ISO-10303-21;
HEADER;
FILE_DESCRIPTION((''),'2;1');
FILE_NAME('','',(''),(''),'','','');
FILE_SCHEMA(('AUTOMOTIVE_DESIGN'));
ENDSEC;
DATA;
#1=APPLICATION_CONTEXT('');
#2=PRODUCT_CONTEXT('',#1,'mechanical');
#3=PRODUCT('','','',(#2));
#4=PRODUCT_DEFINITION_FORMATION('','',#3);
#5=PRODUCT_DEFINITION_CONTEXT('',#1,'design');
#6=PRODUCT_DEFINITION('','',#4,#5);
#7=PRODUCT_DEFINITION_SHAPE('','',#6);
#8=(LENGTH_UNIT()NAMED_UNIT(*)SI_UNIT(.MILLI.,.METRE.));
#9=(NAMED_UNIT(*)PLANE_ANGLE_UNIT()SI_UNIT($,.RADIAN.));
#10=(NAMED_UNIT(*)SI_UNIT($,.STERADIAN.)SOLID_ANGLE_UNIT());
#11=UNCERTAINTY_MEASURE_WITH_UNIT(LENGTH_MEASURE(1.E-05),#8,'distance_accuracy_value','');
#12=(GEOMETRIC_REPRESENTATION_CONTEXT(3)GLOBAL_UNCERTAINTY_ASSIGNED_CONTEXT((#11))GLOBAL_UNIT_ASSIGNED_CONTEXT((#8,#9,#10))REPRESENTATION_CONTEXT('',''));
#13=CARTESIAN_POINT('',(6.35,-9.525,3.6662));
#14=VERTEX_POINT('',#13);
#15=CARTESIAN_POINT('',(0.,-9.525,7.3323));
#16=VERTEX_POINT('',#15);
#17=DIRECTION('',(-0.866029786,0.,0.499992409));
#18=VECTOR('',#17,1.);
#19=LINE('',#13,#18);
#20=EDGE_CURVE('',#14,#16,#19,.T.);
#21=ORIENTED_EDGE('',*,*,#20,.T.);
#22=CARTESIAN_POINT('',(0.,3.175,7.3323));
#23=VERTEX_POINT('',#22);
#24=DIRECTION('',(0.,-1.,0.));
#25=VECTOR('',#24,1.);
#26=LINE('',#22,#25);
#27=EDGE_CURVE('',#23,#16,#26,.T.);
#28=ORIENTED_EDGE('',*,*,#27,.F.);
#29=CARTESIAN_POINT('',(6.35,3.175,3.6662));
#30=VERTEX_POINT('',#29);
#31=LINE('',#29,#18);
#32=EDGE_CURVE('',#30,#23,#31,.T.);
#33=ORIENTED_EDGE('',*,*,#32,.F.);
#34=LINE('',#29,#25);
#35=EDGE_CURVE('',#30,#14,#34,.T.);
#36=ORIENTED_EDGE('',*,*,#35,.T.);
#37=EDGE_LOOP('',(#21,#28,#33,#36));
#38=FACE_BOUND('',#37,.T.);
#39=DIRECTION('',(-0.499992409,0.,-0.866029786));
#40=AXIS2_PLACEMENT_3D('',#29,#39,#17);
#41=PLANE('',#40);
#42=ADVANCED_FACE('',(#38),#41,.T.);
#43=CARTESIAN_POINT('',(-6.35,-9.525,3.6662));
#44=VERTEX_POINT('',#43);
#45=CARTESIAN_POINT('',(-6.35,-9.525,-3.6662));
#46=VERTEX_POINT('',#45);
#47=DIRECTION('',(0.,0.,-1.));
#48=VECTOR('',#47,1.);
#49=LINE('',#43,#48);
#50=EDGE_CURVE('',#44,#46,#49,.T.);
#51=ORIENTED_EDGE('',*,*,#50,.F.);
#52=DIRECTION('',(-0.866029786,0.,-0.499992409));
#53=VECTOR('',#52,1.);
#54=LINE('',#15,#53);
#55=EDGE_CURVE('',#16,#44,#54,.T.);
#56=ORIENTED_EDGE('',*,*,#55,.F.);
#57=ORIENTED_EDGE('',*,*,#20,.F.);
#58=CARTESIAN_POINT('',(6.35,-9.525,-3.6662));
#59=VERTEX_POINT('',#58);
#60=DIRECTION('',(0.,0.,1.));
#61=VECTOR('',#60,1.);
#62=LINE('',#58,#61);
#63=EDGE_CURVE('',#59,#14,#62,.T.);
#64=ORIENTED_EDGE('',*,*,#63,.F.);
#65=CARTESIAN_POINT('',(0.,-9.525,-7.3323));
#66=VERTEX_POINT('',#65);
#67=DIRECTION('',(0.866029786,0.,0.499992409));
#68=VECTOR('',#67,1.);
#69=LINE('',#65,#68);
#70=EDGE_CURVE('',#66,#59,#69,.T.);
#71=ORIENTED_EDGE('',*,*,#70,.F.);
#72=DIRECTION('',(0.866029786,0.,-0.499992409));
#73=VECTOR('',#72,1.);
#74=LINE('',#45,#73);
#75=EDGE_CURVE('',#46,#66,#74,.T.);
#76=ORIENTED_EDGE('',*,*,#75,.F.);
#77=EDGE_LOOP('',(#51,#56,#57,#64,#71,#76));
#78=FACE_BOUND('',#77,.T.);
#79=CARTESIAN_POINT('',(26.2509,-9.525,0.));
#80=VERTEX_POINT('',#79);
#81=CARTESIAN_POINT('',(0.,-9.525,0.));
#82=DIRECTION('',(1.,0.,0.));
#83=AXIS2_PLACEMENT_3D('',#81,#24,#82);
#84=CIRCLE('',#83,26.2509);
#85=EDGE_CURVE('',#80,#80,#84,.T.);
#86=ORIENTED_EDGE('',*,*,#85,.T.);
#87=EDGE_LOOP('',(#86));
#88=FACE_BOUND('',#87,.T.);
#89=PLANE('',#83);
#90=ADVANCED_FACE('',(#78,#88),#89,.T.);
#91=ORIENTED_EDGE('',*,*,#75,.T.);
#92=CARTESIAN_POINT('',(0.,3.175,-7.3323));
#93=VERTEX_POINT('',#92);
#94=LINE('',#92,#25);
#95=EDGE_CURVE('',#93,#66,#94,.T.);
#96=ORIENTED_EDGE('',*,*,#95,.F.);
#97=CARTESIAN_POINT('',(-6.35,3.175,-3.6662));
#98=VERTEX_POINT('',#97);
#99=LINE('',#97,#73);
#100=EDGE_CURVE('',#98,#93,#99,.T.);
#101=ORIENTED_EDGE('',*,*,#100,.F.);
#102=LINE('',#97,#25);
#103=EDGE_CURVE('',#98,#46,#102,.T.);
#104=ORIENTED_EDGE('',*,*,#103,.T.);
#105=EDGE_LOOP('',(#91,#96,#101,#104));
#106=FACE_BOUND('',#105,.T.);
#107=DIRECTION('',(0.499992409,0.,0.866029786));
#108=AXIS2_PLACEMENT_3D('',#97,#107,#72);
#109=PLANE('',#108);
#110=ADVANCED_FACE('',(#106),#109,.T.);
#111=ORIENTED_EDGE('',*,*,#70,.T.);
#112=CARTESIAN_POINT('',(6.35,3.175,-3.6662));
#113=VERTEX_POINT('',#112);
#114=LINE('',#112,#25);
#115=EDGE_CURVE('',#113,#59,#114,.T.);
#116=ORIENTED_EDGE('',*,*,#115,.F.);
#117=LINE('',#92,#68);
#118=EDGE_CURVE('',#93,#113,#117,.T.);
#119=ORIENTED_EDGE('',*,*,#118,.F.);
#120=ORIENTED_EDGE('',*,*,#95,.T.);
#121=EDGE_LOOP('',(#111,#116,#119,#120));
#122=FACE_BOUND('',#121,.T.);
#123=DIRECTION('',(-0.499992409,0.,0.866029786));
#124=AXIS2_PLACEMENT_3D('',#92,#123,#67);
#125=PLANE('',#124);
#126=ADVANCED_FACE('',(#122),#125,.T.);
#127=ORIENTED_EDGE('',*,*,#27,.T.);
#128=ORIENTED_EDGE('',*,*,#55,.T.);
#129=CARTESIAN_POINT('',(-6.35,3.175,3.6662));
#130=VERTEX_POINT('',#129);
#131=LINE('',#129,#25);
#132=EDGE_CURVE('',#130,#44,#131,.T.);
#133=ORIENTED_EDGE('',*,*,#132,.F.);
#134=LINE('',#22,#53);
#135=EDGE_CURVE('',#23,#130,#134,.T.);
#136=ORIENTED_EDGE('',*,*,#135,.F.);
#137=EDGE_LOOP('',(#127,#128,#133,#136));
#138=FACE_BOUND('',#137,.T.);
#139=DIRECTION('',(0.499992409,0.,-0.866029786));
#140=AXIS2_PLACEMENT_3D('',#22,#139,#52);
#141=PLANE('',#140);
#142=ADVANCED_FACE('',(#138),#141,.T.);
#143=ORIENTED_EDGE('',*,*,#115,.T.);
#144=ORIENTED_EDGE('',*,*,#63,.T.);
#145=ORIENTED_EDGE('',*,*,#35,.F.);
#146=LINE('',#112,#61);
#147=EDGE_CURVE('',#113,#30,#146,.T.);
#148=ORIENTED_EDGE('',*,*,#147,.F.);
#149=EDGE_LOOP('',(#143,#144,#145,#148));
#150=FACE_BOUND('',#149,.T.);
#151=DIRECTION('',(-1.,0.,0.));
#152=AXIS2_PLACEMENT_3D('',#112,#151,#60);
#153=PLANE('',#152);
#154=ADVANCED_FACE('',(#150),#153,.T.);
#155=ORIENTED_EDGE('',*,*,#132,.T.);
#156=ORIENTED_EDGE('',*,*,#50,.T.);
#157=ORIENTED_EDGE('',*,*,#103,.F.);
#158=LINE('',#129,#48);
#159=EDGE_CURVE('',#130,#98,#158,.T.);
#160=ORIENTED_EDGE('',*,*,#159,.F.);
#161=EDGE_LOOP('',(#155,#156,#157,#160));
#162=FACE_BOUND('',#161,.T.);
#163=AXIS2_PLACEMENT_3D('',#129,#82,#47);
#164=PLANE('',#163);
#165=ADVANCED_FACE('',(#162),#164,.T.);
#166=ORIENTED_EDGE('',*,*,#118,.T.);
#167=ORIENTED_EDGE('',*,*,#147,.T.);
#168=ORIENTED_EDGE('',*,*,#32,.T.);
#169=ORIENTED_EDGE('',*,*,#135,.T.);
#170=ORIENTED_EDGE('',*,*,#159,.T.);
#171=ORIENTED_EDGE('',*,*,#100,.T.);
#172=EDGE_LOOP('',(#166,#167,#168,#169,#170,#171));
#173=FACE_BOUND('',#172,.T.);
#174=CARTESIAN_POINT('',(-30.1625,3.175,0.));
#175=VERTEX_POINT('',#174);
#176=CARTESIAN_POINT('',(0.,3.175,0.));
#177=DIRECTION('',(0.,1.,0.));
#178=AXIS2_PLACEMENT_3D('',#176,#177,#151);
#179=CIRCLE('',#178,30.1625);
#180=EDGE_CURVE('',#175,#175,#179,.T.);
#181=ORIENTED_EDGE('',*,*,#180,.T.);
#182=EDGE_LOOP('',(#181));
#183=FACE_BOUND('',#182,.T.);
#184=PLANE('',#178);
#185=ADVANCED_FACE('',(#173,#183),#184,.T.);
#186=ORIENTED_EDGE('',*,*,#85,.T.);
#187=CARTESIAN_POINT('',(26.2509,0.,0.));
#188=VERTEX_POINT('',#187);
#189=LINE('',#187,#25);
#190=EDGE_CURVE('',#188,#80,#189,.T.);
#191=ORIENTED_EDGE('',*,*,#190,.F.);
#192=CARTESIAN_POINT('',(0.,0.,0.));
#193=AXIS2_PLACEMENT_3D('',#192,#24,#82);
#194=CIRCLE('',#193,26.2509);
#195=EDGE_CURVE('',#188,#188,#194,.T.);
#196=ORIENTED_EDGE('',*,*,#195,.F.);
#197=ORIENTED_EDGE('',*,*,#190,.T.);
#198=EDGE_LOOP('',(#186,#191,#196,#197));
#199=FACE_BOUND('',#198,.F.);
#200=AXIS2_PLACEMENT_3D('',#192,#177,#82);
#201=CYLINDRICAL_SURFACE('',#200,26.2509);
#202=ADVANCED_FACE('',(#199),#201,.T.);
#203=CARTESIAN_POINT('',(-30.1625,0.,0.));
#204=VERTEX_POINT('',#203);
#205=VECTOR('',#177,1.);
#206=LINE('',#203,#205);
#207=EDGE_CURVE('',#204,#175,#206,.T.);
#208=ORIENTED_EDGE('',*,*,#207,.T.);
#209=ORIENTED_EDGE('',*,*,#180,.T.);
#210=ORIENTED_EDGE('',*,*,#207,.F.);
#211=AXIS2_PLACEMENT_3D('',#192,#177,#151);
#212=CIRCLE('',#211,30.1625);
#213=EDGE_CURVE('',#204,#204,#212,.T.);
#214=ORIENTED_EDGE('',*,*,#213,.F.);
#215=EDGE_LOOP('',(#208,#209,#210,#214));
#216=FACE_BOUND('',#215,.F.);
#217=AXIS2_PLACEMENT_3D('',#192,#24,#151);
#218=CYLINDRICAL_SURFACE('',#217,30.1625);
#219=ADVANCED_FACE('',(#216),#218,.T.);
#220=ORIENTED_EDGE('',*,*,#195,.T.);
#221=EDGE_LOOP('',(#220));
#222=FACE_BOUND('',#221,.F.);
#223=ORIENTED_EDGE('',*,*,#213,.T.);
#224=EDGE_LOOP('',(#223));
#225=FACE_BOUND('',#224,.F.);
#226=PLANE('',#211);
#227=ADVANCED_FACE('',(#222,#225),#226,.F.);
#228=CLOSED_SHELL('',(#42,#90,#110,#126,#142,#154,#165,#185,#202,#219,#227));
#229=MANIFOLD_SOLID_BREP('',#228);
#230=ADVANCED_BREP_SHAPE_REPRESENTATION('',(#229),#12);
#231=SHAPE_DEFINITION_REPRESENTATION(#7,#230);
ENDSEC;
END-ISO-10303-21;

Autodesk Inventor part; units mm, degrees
ref_plane "YZ Plane" through (0, 0, 0) normal (1, 0, 0) x (0, 1, 0)
ref_plane "XZ Plane" through (0, 0, 0) normal (0, 1, 0) x (-1, 0, 0)
ref_plane "XY Plane" through (0, 0, 0) normal (0, 0, 1) x (1, 0, 0)
sketch "Sketch1" plane through (0, 0, 0) normal (0, 1, 0) x (-1, 0, 0)
  circle A0 centre (0, 0) radius 30.1625
  dimension "d0" = 60.325
extrude "Extrusion1" add sketch "Sketch1" along normal blind 3.175
sketch "Sketch2" plane through (0, 0, 0) normal (0, -1, 0) x (1, 0, 0)
  circle A0 centre (0, 0) radius 26.2509
  dimension "d3" = 52.5018
extrude "Extrusion2" add sketch "Sketch2" along normal blind 9.525
sketch "Sketch3" plane through (0, 3.175, 0) normal (0, 1, 0) x (1, 0, 0)
  line L0 (0, 7.3323) -> (6.35, 3.6662)
  line L1 (6.35, 3.6662) -> (6.35, -3.6662)
  line L2 (6.35, -3.6662) -> (0, -7.3323)
  line L3 (0, -7.3323) -> (-6.35, -3.6662)
  line L4 (-6.35, -3.6662) -> (-6.35, 3.6662)
  line L5 (-6.35, 3.6662) -> (0, 7.3323)
  point P0 (0, 0)
  point P1 (0, 0)
  dimension "d12" = 12.7
extrude "Extrusion3" cut sketch "Sketch3" against normal blind 12.7
